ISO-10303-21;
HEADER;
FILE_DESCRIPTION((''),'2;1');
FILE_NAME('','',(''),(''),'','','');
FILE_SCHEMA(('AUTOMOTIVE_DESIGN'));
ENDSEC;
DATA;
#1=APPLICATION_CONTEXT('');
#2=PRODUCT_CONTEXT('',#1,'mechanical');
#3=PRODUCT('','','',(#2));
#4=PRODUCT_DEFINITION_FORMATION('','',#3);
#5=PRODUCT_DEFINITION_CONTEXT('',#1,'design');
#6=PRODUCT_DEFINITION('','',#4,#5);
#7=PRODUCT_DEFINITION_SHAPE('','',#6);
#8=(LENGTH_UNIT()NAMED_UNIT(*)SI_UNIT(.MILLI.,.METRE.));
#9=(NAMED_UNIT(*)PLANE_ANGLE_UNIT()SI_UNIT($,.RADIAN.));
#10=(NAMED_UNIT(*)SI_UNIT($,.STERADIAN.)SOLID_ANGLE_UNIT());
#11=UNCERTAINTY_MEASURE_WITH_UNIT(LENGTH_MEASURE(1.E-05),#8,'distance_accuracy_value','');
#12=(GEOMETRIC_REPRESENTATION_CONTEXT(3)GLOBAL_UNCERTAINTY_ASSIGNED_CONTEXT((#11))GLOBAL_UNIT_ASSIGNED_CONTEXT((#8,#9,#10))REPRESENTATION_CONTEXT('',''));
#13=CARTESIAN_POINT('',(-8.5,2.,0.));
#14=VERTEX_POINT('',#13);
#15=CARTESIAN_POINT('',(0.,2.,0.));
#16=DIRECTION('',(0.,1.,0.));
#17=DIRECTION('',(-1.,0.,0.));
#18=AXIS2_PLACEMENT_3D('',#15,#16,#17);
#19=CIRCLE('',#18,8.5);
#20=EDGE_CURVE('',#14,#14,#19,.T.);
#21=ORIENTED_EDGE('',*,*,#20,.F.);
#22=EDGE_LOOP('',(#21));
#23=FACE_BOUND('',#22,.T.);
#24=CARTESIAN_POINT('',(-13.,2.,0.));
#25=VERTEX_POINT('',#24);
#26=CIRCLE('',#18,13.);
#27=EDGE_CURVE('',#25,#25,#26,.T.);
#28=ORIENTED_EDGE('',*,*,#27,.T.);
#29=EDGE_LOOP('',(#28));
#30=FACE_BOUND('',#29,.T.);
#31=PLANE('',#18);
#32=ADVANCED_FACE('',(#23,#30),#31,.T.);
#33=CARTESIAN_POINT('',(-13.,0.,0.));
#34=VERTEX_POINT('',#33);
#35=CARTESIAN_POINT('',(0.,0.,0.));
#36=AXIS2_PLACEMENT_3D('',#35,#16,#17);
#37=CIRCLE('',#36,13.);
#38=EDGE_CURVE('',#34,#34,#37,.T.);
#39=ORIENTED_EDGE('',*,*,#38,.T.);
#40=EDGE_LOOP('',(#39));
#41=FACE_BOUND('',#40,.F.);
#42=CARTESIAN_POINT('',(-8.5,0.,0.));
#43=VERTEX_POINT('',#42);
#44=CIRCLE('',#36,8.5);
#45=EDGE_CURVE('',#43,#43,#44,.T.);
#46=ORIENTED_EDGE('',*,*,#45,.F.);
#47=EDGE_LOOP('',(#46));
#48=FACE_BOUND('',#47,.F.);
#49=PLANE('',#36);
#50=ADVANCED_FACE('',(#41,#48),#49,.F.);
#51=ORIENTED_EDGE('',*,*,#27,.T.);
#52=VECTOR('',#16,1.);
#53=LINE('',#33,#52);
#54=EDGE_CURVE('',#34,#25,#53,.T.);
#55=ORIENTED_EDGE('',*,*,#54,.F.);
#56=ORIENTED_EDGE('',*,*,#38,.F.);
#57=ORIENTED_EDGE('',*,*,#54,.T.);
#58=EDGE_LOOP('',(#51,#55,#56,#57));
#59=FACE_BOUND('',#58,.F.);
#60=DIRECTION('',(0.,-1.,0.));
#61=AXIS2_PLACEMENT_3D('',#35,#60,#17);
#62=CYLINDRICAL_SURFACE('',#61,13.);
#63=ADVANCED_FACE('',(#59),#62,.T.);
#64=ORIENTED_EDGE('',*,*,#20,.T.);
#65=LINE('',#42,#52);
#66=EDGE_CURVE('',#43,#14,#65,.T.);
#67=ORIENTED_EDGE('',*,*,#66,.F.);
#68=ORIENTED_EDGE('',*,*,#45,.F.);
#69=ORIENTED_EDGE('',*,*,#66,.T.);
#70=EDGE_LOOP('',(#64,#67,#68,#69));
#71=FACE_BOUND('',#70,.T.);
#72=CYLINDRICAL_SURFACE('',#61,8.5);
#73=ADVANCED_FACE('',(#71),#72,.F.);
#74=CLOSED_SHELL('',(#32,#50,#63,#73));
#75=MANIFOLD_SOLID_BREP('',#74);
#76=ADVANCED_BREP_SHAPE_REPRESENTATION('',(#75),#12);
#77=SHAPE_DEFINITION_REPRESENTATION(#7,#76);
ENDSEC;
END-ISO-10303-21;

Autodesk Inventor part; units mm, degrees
ref_plane "YZ Plane" through (0, 0, 0) normal (1, 0, 0) x (0, 1, 0)
ref_plane "XZ Plane" through (0, 0, 0) normal (0, 1, 0) x (-1, 0, 0)
ref_plane "XY Plane" through (0, 0, 0) normal (0, 0, 1) x (1, 0, 0)
sketch "草图1" plane through (0, 0, 0) normal (0, 1, 0) x (-1, 0, 0)
  circle A0 centre (0, 0) radius 8.5
  circle A1 centre (0, 0) radius 13
  dimension "d0" = 26
  dimension "d1" = 17
extrude "拉伸1" add sketch "草图1" along normal blind 2
properties part number "封油垫" material "橡胶"
